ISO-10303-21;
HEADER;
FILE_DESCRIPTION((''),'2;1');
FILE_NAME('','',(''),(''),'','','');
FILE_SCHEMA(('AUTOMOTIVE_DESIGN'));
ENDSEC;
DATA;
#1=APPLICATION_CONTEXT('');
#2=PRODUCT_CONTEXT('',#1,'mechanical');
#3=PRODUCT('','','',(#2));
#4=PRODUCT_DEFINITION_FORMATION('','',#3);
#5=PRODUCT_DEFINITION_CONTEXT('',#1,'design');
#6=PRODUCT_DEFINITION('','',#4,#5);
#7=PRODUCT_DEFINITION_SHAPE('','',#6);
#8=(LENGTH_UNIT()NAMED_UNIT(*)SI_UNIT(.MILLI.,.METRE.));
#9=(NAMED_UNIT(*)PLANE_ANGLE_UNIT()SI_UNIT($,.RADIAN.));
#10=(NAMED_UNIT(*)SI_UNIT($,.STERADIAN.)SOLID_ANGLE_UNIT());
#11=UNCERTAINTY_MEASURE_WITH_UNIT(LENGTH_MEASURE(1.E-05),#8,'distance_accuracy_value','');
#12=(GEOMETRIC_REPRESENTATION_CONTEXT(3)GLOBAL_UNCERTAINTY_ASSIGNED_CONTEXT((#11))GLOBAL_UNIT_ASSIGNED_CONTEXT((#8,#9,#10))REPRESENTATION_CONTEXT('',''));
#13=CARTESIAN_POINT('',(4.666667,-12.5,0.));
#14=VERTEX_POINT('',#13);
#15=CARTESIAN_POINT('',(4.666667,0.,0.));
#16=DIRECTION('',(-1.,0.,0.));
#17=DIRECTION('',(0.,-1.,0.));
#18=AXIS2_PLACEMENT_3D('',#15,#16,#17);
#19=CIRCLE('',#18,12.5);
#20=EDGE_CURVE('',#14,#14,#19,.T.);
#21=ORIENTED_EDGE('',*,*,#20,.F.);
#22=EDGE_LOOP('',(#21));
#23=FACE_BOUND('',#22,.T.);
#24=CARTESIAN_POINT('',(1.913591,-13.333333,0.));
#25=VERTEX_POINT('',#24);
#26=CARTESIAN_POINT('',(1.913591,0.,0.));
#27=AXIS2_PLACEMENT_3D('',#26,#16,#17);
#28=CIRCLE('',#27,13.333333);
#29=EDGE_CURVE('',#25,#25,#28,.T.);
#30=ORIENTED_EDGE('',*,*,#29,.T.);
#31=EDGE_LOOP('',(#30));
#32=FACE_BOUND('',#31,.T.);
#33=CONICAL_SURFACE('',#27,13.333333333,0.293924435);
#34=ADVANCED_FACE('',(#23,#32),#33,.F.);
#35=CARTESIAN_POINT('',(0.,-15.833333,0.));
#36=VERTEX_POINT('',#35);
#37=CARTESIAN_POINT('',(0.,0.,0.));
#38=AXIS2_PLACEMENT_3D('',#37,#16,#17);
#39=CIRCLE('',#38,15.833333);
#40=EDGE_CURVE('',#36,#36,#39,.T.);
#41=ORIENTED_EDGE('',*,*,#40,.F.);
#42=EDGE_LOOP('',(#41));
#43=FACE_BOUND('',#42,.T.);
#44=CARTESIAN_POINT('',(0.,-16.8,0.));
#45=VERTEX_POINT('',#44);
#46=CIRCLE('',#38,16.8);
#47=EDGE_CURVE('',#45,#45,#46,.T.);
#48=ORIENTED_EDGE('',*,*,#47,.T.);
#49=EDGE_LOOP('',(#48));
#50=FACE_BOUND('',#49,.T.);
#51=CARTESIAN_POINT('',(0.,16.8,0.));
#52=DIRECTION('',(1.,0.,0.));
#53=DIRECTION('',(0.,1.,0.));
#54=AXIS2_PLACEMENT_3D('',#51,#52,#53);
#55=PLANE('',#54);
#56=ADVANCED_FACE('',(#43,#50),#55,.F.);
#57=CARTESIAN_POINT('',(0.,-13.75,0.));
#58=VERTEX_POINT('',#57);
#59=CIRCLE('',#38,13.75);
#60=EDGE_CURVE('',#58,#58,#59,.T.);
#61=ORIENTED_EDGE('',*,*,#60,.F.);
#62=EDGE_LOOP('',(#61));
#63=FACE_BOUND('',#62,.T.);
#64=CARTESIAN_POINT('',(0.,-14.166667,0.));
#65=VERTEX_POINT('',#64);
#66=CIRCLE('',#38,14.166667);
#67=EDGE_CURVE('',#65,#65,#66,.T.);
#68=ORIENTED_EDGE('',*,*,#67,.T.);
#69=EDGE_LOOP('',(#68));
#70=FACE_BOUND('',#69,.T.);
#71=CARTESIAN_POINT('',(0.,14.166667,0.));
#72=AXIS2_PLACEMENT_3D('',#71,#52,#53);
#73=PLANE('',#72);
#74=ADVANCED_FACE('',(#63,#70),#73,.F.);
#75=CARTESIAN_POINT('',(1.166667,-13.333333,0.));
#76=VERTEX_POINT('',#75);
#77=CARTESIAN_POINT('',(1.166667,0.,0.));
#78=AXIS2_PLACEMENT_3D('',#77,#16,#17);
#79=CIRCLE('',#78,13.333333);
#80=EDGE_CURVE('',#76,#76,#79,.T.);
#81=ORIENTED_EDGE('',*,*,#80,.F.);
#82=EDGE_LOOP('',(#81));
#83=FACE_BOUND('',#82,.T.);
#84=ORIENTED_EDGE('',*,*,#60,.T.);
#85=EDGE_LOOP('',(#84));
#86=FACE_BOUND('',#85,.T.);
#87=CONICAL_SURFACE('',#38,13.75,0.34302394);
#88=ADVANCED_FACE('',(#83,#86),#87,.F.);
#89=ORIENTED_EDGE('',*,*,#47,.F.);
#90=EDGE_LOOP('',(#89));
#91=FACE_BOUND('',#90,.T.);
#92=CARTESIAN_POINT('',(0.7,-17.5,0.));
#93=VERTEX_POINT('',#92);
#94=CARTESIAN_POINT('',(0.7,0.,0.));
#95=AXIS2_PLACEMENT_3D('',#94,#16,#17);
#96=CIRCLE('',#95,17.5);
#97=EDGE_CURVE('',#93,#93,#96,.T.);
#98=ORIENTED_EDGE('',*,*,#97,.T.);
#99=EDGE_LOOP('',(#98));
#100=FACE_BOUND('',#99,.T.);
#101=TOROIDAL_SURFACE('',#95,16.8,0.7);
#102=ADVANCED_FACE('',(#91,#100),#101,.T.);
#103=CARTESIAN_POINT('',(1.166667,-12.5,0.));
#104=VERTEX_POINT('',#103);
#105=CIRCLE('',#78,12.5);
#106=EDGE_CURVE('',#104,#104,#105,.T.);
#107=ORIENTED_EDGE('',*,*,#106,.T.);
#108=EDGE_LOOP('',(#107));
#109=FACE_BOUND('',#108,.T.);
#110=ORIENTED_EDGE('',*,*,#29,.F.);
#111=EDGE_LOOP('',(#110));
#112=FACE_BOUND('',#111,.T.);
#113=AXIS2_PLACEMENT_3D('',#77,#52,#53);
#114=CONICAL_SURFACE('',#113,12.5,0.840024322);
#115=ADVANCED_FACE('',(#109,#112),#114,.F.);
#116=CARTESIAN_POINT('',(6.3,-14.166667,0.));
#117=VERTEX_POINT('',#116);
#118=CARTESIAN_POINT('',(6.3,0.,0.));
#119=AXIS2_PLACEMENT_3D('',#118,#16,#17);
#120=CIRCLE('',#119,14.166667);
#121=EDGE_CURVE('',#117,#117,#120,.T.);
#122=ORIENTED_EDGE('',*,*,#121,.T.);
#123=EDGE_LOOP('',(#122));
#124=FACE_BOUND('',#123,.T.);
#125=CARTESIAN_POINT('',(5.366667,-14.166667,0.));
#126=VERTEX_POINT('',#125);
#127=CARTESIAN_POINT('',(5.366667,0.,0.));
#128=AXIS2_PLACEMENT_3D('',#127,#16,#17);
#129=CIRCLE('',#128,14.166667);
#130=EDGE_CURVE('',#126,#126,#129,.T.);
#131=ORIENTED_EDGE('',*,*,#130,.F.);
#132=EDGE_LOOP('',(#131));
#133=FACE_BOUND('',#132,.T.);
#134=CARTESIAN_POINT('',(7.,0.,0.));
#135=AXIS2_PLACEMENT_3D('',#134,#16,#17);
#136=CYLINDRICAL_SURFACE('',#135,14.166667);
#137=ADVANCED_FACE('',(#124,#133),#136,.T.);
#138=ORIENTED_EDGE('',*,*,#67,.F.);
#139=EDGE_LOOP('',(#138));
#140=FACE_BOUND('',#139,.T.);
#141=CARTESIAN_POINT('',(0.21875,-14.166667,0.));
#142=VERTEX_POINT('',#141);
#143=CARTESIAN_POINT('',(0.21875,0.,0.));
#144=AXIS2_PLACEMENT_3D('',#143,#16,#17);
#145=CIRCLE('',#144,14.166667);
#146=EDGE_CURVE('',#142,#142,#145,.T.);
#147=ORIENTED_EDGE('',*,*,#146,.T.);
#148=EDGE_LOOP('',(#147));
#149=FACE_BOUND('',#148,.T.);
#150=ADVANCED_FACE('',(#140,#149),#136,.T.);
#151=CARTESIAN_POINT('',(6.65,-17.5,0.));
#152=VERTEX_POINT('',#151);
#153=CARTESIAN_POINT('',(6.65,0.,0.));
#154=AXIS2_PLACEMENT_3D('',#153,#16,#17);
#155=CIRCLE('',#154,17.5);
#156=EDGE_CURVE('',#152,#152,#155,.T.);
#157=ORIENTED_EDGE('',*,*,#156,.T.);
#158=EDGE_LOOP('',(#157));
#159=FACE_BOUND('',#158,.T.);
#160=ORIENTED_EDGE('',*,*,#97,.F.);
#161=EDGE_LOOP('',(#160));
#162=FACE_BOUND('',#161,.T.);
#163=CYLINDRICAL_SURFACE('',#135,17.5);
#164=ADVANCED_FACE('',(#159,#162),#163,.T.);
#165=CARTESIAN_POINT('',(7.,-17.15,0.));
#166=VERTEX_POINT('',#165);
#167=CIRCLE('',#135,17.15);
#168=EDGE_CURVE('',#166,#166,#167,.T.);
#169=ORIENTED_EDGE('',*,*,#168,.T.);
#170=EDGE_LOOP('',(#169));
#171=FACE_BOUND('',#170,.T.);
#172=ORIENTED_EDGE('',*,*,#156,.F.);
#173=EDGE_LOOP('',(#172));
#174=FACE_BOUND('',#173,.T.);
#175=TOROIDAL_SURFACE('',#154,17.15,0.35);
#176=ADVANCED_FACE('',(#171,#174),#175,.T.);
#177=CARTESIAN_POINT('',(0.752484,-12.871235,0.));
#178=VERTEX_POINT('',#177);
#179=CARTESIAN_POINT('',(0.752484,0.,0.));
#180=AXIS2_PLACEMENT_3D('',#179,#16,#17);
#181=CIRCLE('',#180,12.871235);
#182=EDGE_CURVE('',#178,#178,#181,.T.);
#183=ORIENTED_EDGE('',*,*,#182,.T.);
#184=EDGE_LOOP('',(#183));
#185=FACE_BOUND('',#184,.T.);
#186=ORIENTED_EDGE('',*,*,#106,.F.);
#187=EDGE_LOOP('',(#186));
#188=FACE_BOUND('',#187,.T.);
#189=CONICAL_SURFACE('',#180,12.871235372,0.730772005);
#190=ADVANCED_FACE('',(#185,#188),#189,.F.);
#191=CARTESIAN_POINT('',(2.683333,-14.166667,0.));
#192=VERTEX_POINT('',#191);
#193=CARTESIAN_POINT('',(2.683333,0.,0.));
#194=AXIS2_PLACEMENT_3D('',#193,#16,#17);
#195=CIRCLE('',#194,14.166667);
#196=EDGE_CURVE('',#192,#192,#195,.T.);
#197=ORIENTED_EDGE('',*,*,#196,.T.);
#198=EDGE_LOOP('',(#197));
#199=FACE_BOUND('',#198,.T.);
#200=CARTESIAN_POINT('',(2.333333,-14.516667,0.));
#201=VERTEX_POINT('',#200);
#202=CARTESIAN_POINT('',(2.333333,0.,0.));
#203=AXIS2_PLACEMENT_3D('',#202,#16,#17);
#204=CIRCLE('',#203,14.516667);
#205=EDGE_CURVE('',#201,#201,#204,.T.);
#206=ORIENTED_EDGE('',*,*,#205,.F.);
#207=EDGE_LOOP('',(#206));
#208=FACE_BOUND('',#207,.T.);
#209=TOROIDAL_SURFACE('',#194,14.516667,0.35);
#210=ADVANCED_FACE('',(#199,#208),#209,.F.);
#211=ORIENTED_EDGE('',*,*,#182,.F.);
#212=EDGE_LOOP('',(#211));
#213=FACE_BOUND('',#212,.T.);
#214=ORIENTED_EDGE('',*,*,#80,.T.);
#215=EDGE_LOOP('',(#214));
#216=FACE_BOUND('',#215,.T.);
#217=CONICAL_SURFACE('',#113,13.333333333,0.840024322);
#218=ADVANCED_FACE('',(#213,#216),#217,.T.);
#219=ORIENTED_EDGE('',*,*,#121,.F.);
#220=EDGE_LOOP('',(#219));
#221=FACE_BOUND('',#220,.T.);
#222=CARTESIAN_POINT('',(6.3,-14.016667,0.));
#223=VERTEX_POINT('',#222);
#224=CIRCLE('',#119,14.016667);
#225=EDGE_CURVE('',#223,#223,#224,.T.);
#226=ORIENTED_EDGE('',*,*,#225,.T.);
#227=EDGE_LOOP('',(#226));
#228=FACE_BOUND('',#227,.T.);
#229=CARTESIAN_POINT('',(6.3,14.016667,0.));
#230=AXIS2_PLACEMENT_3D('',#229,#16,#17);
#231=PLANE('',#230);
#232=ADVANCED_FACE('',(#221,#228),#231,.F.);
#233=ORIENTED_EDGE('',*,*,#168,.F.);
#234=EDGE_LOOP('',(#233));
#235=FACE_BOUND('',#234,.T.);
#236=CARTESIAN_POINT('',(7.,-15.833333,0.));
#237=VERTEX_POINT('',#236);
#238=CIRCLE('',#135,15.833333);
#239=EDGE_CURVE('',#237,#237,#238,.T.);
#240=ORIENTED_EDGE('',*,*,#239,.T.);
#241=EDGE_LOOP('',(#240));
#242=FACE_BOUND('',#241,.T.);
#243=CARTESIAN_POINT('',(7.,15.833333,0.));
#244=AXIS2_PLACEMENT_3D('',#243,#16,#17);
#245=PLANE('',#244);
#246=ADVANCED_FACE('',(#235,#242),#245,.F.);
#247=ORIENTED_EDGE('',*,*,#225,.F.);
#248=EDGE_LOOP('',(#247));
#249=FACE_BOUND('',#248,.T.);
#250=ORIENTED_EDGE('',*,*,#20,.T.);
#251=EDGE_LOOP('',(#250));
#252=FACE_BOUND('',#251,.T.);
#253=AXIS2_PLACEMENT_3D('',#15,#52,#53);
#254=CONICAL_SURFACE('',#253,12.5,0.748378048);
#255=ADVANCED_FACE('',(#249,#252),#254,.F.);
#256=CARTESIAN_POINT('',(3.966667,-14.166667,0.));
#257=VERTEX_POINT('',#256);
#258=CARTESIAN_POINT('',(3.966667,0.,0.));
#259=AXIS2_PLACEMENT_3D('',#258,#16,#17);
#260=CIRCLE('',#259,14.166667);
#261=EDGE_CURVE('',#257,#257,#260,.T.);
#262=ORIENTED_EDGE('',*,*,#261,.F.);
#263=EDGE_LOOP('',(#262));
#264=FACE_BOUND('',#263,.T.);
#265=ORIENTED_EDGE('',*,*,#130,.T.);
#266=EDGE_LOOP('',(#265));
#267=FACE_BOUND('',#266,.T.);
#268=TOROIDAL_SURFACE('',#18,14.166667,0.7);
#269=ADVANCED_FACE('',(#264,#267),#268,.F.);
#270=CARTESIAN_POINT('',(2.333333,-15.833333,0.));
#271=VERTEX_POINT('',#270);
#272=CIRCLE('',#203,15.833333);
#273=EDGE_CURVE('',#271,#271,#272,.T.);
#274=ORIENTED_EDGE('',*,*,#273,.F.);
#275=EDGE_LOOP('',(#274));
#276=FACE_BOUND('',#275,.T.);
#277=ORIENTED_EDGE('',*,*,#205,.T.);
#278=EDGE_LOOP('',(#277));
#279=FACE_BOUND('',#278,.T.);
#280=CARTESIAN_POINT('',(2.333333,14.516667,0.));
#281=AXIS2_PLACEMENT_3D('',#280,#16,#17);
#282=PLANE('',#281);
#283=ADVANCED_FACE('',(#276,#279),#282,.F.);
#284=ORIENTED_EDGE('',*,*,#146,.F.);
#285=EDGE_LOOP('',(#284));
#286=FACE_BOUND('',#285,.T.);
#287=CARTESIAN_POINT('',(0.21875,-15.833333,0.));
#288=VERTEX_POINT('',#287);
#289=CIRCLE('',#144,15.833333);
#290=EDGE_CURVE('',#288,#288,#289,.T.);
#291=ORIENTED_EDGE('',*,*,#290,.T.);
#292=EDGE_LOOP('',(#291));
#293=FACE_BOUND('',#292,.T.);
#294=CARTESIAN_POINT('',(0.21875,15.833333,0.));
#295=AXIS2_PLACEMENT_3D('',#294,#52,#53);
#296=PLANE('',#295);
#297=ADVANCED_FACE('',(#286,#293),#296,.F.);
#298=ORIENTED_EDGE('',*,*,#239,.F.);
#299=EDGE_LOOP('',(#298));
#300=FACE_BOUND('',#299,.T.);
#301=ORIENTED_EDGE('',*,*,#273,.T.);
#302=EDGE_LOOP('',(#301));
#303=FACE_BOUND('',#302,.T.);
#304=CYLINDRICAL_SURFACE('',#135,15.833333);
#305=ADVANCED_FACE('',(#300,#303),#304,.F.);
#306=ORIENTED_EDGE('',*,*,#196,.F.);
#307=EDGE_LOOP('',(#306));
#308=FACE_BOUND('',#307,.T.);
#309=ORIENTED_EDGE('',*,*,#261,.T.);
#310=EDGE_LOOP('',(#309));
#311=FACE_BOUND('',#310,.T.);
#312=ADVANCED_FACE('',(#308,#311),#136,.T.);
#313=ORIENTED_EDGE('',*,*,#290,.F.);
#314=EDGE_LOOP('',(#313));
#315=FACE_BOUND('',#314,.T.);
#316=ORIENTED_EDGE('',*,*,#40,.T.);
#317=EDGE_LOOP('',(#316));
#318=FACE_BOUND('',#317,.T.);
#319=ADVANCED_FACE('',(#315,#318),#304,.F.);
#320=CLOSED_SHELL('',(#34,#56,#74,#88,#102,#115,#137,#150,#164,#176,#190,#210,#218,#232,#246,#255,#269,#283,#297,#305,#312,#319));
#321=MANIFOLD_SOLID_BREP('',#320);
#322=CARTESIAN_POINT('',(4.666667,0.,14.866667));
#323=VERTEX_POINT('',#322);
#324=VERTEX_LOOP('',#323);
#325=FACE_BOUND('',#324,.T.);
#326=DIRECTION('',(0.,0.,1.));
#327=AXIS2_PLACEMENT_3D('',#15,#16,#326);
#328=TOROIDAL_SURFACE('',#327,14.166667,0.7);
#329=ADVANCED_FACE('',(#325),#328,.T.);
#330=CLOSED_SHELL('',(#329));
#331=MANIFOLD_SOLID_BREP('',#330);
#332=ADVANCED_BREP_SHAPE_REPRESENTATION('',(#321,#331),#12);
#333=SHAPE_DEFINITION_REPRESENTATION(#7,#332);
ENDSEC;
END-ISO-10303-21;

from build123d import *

# Parameters (mm, degrees)
SKETCH2_R = 0.7


with BuildPart() as part:
    # Sketch1 → Revolve1 (revolve)
    with BuildSketch(Plane.XY, mode=Mode.PRIVATE) as revolve1_sk:
        with BuildLine():
            Line((0, 15.833333333), (0.21875, 15.833333333))
            Line((0.21875, 15.833333333), (0.21875, 14.166666667))
            Line((0.21875, 14.166666667), (0, 14.166666667))
            Line((0, 14.166666667), (0, 13.75))
            Line((0, 13.75), (1.166666667, 13.333333333))
            Line((1.166666667, 13.333333333), (0.752484209, 12.871235372))
            Line((0.752484209, 12.871235372), (1.166666667, 12.5))
            Line((1.166666667, 12.5), (1.913590647, 13.333333333))
            Line((1.913590647, 13.333333333), (4.666666667, 12.5))
            Line((4.666666667, 12.5), (6.3, 14.016666667))
            Line((6.3, 14.016666667), (6.3, 14.166666667))
            Line((6.3, 14.166666667), (5.366666667, 14.166666667))
            ThreePointArc((5.366666667, 14.166666667), (4.666666667, 13.466666667), (3.966666667, 14.166666667))
            Line((3.966666667, 14.166666667), (2.683333333, 14.166666667))
            ThreePointArc((2.683333333, 14.166666667), (2.43584596, 14.269179293), (2.333333333, 14.516666667))
            Line((2.333333333, 14.516666667), (2.333333333, 15.833333333))
            Line((2.333333333, 15.833333333), (7, 15.833333333))
            Line((7, 15.833333333), (7, 17.15))
            ThreePointArc((7, 17.15), (6.897487373, 17.397487373), (6.65, 17.5))
            Line((6.65, 17.5), (0.7, 17.5))
            ThreePointArc((0.7, 17.5), (0.205025253, 17.294974747), (0, 16.8))
            Line((0, 16.8), (0, 15.833333333))
        make_face()
    revolve(revolve1_sk.sketch.rotate(Axis((7, 0, 0), (-1, 0, 0)), 180), axis=Axis((7, 0, 0), (-1, 0, 0)))


with BuildPart() as body_2:
    # Sketch2 → Revolve2 (revolve)
    with BuildSketch(Plane.XY, mode=Mode.PRIVATE) as revolve2_sk:
        with Locations((4.666666667, 14.166666667)):
            Circle(SKETCH2_R)
    revolve(revolve2_sk.sketch.rotate(Axis((0, 0, 0), (1, 0, 0)), 90), axis=Axis((0, 0, 0), (1, 0, 0)))


solid = Compound([part.part, body_2.part])
